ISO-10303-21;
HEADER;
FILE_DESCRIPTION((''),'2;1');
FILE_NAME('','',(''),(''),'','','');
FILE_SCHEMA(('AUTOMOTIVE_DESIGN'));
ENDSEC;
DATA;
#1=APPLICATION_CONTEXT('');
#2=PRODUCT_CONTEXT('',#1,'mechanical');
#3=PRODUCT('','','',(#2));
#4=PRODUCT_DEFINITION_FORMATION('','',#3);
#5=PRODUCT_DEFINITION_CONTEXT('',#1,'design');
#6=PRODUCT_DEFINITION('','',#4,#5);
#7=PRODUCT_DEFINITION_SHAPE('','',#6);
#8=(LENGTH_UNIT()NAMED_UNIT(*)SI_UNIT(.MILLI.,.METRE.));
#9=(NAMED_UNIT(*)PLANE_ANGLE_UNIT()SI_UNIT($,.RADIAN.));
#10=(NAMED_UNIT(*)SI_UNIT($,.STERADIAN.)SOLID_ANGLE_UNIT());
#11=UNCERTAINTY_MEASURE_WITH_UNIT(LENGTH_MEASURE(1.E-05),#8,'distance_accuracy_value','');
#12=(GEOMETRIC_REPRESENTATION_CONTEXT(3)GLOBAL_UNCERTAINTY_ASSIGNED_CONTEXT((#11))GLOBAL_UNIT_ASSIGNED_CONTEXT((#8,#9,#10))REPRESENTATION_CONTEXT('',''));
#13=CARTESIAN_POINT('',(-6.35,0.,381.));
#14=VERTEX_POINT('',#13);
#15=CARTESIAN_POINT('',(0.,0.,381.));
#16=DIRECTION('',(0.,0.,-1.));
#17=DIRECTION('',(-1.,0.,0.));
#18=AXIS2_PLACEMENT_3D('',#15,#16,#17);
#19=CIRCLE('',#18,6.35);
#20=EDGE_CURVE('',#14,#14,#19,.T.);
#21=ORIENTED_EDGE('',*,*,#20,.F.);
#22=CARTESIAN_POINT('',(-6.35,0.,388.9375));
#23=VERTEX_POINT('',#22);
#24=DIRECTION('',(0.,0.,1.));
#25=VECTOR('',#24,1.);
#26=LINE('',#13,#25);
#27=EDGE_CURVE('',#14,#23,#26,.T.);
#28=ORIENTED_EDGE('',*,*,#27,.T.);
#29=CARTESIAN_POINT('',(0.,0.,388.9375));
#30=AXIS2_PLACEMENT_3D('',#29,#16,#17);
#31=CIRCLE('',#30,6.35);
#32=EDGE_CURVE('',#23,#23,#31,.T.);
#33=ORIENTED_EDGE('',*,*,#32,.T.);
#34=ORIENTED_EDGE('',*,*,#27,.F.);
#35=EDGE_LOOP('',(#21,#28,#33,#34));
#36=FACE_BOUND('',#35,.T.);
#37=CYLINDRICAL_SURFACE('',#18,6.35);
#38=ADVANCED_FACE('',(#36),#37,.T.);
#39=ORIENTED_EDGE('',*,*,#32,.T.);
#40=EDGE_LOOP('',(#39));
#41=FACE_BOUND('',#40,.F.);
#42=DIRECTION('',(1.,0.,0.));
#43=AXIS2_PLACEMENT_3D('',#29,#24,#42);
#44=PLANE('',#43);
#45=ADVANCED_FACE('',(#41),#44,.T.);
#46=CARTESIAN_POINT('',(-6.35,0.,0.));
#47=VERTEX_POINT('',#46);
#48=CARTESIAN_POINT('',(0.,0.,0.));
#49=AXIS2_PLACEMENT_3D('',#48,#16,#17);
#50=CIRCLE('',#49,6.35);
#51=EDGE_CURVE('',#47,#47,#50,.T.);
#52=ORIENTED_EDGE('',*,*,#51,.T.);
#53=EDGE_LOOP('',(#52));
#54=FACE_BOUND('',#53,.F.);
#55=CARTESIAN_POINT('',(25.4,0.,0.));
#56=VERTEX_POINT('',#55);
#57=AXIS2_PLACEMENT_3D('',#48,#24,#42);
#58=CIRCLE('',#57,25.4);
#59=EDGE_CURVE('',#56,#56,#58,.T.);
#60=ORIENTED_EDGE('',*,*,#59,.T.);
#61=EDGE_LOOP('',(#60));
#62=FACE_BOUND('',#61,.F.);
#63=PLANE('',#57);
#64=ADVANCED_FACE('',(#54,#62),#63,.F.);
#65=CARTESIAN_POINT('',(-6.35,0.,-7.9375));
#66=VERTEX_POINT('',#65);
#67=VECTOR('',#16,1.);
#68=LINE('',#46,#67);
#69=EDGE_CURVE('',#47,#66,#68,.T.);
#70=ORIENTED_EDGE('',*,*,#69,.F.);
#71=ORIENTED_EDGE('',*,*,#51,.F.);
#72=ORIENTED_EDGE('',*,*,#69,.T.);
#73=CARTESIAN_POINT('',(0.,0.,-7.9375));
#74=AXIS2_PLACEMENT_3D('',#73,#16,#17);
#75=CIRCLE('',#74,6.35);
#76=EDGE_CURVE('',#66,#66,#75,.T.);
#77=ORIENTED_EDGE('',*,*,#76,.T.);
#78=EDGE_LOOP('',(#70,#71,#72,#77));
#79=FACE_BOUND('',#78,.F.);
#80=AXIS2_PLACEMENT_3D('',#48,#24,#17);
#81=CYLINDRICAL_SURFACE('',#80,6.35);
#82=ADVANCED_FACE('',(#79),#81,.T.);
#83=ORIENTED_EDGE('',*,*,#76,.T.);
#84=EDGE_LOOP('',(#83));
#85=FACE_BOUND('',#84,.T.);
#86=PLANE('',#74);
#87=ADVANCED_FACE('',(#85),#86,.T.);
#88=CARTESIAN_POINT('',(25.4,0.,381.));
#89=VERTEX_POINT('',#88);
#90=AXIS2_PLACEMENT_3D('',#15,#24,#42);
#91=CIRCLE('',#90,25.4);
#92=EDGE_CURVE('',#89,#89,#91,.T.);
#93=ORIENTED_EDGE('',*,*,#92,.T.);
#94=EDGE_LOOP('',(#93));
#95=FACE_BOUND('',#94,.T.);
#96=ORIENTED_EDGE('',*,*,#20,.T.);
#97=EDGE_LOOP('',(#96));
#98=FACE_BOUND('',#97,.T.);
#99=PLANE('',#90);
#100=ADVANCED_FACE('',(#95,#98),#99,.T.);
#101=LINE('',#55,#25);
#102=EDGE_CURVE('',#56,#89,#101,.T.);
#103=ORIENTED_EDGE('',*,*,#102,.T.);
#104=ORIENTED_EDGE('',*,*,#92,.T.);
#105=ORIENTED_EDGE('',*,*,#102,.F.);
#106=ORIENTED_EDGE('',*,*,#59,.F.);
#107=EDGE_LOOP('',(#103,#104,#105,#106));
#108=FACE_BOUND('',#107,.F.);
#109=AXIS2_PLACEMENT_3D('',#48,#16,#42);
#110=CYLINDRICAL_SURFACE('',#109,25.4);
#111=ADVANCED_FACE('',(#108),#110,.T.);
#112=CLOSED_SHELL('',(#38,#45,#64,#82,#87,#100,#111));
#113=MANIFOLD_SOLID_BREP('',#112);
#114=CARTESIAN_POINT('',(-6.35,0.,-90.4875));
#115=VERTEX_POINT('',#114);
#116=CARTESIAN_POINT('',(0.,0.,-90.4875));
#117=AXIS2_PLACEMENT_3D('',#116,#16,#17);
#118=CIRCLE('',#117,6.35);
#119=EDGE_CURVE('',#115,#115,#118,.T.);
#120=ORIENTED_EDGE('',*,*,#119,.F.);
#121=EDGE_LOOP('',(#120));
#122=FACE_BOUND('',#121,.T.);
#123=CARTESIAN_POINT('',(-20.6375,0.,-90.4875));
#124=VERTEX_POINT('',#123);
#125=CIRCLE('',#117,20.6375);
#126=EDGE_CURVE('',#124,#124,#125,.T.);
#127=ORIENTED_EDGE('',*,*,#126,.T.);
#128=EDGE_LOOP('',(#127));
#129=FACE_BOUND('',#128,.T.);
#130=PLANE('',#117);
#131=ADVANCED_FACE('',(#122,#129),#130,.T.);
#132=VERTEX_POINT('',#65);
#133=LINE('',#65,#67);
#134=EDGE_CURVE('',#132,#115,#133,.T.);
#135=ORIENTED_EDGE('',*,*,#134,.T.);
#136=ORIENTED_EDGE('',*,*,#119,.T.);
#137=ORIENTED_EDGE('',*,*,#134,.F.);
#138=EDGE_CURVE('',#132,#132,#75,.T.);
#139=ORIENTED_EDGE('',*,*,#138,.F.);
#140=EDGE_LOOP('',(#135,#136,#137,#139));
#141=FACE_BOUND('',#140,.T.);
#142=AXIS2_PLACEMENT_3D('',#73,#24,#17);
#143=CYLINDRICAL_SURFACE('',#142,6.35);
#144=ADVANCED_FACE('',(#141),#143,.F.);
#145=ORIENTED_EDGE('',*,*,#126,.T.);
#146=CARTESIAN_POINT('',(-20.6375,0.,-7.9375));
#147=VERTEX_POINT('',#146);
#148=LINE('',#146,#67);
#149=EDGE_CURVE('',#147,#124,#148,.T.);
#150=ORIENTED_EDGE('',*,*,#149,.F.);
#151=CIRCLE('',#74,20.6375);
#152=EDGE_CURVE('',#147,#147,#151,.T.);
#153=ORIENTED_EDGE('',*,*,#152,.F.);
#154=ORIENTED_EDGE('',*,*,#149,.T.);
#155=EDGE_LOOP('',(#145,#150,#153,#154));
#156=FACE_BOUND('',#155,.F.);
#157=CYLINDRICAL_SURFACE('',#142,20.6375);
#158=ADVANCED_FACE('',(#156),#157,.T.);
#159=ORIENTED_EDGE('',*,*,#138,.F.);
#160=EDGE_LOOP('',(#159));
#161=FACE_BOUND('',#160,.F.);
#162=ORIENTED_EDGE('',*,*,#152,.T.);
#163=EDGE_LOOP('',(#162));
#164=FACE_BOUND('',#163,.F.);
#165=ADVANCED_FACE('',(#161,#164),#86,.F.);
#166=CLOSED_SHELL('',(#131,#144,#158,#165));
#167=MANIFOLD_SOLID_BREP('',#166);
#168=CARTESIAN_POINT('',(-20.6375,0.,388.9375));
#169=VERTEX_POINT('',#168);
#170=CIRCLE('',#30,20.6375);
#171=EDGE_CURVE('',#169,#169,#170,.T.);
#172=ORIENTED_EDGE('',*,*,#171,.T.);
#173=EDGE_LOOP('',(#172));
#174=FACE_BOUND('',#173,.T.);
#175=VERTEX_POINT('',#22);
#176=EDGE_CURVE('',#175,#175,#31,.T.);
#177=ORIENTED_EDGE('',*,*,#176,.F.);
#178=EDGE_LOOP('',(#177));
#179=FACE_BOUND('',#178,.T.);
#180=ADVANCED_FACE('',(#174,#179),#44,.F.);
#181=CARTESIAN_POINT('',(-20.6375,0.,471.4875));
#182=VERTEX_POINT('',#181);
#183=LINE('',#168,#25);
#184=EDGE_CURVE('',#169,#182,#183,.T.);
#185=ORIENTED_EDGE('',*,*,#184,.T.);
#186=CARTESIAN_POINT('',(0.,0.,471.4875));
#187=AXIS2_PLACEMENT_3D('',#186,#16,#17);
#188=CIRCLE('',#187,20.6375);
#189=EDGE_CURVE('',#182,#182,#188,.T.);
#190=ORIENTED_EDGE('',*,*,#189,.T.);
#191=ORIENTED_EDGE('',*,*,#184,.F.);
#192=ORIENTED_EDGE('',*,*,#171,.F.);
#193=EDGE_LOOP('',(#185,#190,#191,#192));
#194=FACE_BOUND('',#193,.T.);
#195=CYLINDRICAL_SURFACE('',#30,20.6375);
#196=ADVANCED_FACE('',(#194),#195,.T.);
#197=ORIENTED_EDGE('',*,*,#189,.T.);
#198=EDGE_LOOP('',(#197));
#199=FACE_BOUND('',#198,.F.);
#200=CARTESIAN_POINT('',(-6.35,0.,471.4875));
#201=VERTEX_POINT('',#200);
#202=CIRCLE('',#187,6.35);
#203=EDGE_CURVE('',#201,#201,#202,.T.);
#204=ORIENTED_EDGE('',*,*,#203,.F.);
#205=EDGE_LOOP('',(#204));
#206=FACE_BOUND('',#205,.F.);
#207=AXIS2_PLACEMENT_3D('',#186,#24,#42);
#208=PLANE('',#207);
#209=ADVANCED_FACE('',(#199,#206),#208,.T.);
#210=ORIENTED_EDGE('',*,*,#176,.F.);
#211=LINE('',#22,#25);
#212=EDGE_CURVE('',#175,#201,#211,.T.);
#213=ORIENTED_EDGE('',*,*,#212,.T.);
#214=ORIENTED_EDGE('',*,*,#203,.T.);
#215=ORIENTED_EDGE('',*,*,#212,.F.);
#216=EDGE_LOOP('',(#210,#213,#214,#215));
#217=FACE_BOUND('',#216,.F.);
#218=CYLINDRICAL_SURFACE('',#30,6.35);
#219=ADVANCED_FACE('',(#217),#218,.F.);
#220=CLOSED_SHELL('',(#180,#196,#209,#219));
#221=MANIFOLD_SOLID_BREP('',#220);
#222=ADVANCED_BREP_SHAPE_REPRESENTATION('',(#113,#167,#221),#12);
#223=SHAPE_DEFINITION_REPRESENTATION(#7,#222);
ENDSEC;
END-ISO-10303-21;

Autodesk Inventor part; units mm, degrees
ref_plane "YZ Plane" through (0, 0, 0) normal (1, 0, 0) x (0, 1, 0)
ref_plane "XZ Plane" through (0, 0, 0) normal (0, 1, 0) x (-1, 0, 0)
sketch "Sketch1" plane through (0, 0, 0) normal (0, 0, 1) x (1, 0, 0)
  circle A0 centre (0, 0) radius 25.4
  dimension "d0" = 50.8
extrude "Extrusion1" add sketch "Sketch1" along normal blind 381
sketch "Sketch2" plane through (0, 0, 0) normal (0, 0, -1) x (-1, 0, 0)
  circle A0 centre (0, 0) radius 6.35
  dimension "d3" = 12.7
extrude "Extrusion2" add sketch "Sketch2" along normal blind 7.9375
sketch "Sketch3" plane through (0, 0, -7.9375) normal (0, 0, -1) x (-1, 0, 0)
  circle A0 centre (0, 0) radius 6.35 projected
  circle A1 centre (0, 0) radius 20.6375
  dimension "d6" = 41.275
extrude "Extrusion3" add sketch "Sketch3" along normal blind 82.55
ref_plane "Work Plane1" through (0, 0, 190.5) normal (0, 0, 1) x (1, 0, 0)
mirror "Mirror1" about plane through (0, 0, 190.5) normal (0, 0, 1) of "Extrusion3", "Extrusion2"
properties part number "shaftThingy"
